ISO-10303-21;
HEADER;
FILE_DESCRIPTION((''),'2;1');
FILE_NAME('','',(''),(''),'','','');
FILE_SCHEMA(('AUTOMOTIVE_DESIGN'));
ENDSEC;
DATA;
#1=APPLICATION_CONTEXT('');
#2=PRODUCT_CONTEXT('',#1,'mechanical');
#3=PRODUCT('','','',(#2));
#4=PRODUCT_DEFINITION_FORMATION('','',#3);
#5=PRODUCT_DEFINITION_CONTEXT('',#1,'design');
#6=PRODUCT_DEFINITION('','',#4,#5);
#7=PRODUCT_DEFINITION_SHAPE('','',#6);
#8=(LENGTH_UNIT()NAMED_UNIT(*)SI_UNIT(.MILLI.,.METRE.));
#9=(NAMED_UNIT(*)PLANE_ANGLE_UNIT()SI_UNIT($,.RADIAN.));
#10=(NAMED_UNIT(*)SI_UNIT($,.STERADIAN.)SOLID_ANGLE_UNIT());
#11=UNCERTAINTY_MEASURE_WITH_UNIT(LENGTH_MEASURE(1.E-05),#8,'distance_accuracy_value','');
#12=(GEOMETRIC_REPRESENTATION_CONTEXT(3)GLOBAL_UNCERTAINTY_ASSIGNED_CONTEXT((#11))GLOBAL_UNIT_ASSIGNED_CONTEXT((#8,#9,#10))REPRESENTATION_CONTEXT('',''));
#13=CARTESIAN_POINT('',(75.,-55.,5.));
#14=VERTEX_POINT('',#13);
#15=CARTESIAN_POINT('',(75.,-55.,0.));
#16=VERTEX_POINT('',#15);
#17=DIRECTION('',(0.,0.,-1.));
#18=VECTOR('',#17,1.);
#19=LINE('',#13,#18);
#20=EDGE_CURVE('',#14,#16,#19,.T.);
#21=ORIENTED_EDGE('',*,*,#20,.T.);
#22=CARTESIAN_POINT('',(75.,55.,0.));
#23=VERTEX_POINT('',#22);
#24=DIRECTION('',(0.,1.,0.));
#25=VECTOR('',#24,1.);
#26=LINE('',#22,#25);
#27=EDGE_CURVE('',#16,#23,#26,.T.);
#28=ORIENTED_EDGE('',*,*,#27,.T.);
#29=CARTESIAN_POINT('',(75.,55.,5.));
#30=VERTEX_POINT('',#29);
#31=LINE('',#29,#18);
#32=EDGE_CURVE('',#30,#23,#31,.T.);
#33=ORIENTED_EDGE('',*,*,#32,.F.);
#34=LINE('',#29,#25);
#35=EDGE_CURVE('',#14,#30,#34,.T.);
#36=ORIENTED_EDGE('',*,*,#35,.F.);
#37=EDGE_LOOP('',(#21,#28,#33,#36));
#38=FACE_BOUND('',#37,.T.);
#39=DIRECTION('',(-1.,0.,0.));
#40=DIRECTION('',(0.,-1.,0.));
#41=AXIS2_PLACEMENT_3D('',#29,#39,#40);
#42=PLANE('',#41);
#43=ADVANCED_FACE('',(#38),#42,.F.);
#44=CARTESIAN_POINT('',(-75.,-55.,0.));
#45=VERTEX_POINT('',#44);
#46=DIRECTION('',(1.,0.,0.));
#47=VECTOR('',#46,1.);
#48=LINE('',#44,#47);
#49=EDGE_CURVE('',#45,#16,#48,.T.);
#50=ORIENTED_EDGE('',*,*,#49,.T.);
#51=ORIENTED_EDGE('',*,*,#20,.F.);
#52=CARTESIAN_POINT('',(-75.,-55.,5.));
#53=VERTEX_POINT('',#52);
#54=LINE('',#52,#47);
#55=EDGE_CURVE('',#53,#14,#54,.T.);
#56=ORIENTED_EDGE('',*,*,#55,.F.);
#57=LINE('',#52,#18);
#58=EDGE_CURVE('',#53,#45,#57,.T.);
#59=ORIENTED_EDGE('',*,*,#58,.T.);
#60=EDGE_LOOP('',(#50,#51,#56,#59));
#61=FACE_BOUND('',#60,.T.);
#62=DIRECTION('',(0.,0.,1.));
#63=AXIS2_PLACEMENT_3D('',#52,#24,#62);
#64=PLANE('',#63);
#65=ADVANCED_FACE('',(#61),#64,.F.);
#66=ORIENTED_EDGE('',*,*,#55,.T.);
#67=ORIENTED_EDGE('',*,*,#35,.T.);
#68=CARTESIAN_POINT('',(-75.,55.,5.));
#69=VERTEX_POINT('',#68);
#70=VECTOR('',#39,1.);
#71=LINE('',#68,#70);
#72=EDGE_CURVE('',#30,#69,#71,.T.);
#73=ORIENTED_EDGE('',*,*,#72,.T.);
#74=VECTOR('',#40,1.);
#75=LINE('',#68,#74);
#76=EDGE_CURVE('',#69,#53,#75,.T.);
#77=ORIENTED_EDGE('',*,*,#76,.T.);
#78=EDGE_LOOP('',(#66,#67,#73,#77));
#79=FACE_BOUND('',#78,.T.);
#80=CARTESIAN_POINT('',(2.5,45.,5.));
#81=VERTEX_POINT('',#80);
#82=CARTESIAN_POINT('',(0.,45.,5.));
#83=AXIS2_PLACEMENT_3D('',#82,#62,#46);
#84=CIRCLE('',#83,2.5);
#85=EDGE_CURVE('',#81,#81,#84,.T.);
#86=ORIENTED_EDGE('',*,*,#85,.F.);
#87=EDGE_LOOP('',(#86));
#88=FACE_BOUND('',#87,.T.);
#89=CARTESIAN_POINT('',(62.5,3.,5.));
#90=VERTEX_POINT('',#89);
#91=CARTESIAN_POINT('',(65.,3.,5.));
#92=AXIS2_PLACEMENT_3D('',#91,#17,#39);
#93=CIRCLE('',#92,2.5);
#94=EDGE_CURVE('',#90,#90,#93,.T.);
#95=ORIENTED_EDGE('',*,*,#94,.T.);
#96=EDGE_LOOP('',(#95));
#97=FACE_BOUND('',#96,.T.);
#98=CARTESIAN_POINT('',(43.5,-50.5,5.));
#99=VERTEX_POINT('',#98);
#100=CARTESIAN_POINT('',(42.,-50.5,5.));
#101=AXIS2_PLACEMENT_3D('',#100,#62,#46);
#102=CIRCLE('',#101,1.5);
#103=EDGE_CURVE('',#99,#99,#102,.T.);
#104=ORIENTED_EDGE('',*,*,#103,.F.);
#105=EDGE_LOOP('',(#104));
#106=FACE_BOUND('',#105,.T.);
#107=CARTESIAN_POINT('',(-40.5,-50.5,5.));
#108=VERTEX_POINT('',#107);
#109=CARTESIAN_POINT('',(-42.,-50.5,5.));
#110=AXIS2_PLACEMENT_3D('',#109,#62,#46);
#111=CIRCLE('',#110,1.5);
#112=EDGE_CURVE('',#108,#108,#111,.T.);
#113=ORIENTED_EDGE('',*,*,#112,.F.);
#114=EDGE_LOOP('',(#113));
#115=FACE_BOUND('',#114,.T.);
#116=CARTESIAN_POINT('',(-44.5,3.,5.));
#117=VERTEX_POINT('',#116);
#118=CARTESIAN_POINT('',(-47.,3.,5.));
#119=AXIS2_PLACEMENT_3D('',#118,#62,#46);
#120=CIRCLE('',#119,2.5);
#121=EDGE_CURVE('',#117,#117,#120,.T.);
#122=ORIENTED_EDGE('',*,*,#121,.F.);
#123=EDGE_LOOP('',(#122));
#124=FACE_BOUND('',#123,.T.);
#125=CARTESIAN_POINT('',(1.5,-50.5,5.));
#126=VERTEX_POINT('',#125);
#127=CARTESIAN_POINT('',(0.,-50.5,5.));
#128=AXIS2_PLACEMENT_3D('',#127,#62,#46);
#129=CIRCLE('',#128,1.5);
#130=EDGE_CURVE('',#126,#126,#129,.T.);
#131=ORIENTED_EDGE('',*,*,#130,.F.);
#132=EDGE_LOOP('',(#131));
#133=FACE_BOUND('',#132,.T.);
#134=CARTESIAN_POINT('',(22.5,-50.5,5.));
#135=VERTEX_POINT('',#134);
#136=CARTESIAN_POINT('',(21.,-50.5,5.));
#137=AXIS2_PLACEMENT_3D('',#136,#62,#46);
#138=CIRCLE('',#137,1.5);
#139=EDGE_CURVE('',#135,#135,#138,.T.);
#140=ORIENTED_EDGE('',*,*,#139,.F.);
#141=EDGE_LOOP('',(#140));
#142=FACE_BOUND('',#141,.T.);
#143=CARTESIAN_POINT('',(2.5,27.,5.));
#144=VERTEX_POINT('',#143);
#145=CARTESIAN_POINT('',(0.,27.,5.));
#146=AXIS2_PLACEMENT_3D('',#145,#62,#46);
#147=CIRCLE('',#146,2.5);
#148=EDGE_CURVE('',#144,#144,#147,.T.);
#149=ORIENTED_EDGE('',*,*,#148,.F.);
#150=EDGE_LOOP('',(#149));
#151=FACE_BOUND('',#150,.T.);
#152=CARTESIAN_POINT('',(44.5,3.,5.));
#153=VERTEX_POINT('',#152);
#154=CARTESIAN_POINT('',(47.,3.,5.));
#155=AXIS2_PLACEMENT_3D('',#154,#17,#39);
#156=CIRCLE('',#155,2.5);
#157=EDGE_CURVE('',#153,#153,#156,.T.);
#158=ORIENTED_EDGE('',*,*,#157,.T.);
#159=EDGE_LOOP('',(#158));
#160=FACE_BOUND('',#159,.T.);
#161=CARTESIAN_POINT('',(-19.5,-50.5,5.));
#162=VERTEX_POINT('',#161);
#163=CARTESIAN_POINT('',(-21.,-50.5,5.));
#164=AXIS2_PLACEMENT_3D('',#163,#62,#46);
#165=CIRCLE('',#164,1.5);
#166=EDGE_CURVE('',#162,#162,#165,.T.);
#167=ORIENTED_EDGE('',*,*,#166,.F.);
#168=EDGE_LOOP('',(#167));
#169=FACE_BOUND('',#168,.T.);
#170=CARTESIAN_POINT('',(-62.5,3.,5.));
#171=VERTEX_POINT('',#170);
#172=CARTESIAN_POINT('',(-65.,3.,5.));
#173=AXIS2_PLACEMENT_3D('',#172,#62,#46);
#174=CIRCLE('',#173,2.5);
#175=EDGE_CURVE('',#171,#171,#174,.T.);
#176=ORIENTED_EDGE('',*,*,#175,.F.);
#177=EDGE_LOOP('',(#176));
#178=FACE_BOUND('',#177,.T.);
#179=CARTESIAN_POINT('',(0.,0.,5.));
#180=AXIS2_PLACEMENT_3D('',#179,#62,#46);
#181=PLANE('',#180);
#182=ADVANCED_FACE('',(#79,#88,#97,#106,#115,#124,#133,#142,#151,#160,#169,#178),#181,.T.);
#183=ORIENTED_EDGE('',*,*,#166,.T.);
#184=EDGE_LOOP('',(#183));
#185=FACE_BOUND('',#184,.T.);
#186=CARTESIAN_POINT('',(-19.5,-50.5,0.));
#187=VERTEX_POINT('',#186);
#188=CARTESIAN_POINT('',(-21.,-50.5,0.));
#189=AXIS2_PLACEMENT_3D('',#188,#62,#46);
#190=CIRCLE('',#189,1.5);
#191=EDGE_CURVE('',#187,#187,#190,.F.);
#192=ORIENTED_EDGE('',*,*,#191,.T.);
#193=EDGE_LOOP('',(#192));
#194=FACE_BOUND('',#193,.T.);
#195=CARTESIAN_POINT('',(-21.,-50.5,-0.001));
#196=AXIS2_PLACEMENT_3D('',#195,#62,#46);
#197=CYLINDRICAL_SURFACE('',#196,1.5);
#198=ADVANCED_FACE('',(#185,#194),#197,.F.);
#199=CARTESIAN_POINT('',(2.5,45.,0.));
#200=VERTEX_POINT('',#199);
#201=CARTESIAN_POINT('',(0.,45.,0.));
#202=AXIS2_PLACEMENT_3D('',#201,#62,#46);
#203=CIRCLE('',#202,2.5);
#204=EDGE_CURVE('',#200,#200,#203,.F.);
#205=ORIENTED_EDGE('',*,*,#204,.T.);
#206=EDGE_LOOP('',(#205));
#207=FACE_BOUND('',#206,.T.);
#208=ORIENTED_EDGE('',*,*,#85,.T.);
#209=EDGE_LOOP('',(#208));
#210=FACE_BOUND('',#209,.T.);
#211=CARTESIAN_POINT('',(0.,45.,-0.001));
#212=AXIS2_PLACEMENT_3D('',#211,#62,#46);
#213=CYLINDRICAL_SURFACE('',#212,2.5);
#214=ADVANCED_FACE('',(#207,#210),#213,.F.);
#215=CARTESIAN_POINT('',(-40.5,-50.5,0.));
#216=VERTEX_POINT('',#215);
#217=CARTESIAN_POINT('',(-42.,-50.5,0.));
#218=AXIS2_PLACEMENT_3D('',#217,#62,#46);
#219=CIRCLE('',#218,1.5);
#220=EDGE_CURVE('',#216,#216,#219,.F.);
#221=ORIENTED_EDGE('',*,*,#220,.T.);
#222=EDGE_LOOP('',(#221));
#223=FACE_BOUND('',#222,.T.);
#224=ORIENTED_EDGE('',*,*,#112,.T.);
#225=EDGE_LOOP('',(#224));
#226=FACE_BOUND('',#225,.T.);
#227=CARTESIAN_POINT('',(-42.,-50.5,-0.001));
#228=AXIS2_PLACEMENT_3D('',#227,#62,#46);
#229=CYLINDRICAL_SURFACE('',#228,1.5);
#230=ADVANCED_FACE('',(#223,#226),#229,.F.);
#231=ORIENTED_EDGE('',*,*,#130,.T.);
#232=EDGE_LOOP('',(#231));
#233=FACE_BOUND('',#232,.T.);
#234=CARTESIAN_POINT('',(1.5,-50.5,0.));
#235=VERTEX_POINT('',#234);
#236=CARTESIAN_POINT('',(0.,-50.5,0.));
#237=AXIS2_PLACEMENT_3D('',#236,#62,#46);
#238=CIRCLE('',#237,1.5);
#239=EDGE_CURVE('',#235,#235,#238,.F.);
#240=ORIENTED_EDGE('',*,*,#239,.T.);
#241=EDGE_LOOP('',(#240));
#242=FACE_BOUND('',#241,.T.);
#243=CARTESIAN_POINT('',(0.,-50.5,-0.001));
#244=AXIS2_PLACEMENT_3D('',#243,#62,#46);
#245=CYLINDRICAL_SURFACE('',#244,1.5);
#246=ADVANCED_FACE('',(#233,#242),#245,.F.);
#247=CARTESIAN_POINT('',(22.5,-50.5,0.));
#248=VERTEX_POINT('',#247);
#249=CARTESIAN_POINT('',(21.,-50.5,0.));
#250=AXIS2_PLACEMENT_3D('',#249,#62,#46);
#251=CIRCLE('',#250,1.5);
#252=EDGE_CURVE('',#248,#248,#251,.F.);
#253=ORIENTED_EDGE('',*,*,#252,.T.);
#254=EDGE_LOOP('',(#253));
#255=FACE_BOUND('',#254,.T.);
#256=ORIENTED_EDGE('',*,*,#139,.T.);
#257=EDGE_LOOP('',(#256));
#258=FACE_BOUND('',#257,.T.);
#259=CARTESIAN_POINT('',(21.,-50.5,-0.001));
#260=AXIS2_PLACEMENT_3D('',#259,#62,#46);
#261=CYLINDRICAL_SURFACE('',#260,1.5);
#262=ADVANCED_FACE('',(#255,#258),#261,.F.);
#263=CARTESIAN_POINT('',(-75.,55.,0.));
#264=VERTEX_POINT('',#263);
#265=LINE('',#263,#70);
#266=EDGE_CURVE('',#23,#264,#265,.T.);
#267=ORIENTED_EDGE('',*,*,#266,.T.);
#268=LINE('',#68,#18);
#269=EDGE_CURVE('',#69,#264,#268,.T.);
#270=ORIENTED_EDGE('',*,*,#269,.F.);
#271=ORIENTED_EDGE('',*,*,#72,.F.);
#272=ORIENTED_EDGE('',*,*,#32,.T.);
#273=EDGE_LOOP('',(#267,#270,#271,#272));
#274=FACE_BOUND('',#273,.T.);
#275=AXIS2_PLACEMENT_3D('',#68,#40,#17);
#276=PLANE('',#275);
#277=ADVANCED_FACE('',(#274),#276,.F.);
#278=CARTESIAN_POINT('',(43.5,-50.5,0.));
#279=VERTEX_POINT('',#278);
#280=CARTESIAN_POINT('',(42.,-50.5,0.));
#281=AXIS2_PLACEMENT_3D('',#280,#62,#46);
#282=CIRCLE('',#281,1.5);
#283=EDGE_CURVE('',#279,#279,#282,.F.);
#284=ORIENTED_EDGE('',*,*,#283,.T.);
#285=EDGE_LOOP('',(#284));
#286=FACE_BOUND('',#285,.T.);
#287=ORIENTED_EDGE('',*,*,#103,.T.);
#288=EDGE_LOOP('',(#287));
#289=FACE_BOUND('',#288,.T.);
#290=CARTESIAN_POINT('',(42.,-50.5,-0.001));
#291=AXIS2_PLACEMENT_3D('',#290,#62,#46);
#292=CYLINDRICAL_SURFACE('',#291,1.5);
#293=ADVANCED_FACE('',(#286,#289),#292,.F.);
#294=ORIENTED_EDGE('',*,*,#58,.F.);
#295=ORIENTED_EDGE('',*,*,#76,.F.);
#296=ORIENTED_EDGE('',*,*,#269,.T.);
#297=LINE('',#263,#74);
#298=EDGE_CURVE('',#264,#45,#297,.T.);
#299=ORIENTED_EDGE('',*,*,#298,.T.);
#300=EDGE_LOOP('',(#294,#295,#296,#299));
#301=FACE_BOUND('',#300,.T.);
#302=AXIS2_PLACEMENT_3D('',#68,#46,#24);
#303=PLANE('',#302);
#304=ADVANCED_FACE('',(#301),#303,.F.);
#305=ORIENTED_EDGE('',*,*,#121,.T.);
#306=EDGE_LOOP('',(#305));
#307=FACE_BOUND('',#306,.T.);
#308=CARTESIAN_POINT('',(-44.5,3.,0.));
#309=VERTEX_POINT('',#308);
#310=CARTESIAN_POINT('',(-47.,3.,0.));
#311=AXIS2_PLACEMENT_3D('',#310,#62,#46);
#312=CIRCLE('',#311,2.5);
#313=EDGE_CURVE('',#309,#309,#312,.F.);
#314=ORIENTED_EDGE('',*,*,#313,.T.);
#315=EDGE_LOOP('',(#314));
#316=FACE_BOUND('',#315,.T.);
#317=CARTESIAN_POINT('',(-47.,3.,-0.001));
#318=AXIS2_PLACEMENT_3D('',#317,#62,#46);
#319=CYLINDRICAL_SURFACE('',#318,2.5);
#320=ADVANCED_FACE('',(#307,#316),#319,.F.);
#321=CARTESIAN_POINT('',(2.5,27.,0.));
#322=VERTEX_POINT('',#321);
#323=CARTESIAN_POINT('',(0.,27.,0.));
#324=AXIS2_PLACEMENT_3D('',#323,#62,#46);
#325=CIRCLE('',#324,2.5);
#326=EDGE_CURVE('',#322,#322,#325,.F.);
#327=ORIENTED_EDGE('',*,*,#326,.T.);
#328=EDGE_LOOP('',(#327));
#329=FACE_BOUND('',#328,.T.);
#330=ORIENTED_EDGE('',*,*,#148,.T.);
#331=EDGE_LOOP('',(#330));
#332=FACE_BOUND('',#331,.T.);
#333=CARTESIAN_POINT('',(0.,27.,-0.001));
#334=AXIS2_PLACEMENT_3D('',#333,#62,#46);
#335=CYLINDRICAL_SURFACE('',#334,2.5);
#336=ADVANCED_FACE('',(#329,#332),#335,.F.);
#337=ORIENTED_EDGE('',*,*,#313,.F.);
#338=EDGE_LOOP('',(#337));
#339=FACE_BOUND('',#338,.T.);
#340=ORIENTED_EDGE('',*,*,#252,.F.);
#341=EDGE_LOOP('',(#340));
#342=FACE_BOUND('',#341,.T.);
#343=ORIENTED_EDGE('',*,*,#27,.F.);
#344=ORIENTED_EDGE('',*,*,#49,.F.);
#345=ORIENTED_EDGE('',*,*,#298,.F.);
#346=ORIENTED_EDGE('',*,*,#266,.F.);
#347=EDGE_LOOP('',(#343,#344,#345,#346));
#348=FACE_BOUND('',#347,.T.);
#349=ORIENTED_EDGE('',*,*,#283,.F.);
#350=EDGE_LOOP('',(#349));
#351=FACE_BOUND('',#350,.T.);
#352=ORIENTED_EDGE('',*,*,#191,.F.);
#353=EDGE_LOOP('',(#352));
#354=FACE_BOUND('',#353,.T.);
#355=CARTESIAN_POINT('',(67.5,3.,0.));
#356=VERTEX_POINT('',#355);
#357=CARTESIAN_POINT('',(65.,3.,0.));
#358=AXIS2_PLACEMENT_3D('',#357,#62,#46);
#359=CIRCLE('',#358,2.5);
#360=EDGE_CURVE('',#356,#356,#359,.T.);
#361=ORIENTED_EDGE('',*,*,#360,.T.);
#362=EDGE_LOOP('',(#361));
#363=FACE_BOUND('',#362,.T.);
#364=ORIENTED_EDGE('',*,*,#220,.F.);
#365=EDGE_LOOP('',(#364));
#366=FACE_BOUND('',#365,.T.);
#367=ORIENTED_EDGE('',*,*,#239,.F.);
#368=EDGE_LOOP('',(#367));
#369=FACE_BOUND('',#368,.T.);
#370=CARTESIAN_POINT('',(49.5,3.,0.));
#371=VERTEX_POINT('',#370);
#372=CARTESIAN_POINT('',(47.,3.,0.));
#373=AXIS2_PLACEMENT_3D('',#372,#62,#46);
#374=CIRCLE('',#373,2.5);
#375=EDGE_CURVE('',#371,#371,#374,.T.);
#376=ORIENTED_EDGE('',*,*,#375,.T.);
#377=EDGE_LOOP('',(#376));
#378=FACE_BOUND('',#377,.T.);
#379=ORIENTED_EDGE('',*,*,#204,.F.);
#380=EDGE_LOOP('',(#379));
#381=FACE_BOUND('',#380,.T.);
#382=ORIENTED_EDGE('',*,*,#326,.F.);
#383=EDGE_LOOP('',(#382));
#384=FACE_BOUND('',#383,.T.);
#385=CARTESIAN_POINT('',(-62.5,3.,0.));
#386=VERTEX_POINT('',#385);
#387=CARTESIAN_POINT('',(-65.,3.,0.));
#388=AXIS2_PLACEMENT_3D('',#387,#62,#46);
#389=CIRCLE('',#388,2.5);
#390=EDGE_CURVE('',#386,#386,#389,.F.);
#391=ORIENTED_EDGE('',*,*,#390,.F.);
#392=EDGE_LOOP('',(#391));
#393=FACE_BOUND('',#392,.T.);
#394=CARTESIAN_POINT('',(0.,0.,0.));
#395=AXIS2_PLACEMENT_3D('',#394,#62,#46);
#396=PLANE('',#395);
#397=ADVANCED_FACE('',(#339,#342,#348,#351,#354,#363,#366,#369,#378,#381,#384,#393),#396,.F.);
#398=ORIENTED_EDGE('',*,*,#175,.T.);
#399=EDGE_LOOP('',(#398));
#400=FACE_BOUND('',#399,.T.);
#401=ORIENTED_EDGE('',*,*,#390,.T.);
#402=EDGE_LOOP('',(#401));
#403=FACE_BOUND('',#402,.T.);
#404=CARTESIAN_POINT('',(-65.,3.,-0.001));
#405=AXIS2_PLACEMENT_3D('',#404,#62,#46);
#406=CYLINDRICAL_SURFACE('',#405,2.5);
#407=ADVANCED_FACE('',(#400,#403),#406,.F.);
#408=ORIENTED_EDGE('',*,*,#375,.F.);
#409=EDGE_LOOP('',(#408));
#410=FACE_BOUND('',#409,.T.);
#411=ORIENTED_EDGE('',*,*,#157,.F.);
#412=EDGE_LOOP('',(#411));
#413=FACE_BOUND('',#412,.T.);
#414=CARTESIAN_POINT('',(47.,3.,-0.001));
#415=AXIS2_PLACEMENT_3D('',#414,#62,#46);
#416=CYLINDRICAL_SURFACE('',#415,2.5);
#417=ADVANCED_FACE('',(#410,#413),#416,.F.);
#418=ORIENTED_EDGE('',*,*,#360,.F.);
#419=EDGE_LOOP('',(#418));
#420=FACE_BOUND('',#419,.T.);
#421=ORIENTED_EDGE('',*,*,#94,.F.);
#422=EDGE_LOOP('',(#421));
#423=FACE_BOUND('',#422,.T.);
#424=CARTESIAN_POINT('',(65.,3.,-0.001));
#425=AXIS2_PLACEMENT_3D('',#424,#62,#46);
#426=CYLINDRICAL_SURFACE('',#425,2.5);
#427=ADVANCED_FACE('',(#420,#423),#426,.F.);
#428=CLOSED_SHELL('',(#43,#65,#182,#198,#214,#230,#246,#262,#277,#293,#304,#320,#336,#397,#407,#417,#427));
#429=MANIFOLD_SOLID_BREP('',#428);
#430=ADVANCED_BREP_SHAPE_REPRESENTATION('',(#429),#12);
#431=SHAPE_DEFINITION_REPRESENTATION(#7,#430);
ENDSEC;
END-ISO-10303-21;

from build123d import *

# Parameters (mm, degrees)
SKETCH_1_W             = 150
SKETCH_1_H             = 110
EXTRUDE_1_DEPTH        = 5
CUT_EXTRUDE_1_REACH    = 95.14
SKETCH_2_R             = 1.5
PATTERN_LINEAR_1_COUNT = 5
PATTERN_LINEAR_1_PITCH = 21
CUT_EXTRUDE_2_REACH    = 95.14
SKETCH_3_R             = 2.5
CUT_EXTRUDE_3_REACH    = 95.14
SKETCH_4_R             = 2.5


with BuildPart() as part:
    # 草圖1 → 填料-伸長1 (new body)
    with BuildSketch(Plane.XY):
        Rectangle(SKETCH_1_W, SKETCH_1_H)
    extrude(amount=EXTRUDE_1_DEPTH)

    # 草圖2 → 除料-伸長1 (cut, up to next)
    with BuildSketch(Plane.XY.offset(5), mode=Mode.PRIVATE) as cut_extrude_1_sk1:
        with Locations((42, -50.5)):
            Circle(SKETCH_2_R)
    cut_extrude_1_tool1 = extrude(cut_extrude_1_sk1.sketch, amount=-CUT_EXTRUDE_1_REACH, mode=Mode.PRIVATE) & part.part
    cut_extrude_1 = cut_extrude_1_tool1.solids().sort_by_distance((42, -50.5, 5))[0]
    add(cut_extrude_1, mode=Mode.SUBTRACT)

    # 直線複製排列1: 除料-伸長1 ×5
    with Locations(*[(-i * PATTERN_LINEAR_1_PITCH, 0, 0) for i in range(1, PATTERN_LINEAR_1_COUNT)]):
        add(cut_extrude_1, mode=Mode.SUBTRACT)

    # 草圖3 → 除料-伸長2 (cut, up to next)
    with BuildSketch(Plane.XY.offset(5), mode=Mode.PRIVATE) as cut_extrude_2_sk1:
        with Locations((-65, 3)):
            Circle(SKETCH_3_R)
    cut_extrude_2_tool1 = extrude(cut_extrude_2_sk1.sketch, amount=-CUT_EXTRUDE_2_REACH, mode=Mode.PRIVATE) & part.part
    # 草圖3 → 除料-伸長2 (cut, up to next)
    with BuildSketch(Plane.XY.offset(5), mode=Mode.PRIVATE) as cut_extrude_2_sk2:
        with Locations((-47, 3)):
            Circle(SKETCH_3_R)
    cut_extrude_2_tool2 = extrude(cut_extrude_2_sk2.sketch, amount=-CUT_EXTRUDE_2_REACH, mode=Mode.PRIVATE) & part.part
    cut_extrude_2_1 = cut_extrude_2_tool1.solids().sort_by_distance((-65, 3, 5))[0]
    add(cut_extrude_2_1, mode=Mode.SUBTRACT)
    cut_extrude_2_2 = cut_extrude_2_tool2.solids().sort_by_distance((-47, 3, 5))[0]
    add(cut_extrude_2_2, mode=Mode.SUBTRACT)
    cut_extrude_2 = cut_extrude_2_1 + cut_extrude_2_2  # 除料-伸長2 as one shape, for the pattern or mirror that repeats it

    # 鏡射1: 除料-伸長2 across plane
    add(cut_extrude_2.mirror(Plane(origin=(0, 0, 0), x_dir=(0, 0, 1), z_dir=(1, 0, 0))), mode=Mode.SUBTRACT)

    # 草圖4 → 除料-伸長3 (cut, up to next)
    with BuildSketch(Plane.XY.offset(5), mode=Mode.PRIVATE) as cut_extrude_3_sk1:
        with Locations((0, 45)):
            Circle(SKETCH_4_R)
    cut_extrude_3_tool1 = extrude(cut_extrude_3_sk1.sketch, amount=-CUT_EXTRUDE_3_REACH, mode=Mode.PRIVATE) & part.part
    # 草圖4 → 除料-伸長3 (cut, up to next)
    with BuildSketch(Plane.XY.offset(5), mode=Mode.PRIVATE) as cut_extrude_3_sk2:
        with Locations((0, 27)):
            Circle(SKETCH_4_R)
    cut_extrude_3_tool2 = extrude(cut_extrude_3_sk2.sketch, amount=-CUT_EXTRUDE_3_REACH, mode=Mode.PRIVATE) & part.part
    add(cut_extrude_3_tool1.solids().sort_by_distance((0, 45, 5))[0], mode=Mode.SUBTRACT)
    add(cut_extrude_3_tool2.solids().sort_by_distance((0, 27, 5))[0], mode=Mode.SUBTRACT)


solid = part.part
